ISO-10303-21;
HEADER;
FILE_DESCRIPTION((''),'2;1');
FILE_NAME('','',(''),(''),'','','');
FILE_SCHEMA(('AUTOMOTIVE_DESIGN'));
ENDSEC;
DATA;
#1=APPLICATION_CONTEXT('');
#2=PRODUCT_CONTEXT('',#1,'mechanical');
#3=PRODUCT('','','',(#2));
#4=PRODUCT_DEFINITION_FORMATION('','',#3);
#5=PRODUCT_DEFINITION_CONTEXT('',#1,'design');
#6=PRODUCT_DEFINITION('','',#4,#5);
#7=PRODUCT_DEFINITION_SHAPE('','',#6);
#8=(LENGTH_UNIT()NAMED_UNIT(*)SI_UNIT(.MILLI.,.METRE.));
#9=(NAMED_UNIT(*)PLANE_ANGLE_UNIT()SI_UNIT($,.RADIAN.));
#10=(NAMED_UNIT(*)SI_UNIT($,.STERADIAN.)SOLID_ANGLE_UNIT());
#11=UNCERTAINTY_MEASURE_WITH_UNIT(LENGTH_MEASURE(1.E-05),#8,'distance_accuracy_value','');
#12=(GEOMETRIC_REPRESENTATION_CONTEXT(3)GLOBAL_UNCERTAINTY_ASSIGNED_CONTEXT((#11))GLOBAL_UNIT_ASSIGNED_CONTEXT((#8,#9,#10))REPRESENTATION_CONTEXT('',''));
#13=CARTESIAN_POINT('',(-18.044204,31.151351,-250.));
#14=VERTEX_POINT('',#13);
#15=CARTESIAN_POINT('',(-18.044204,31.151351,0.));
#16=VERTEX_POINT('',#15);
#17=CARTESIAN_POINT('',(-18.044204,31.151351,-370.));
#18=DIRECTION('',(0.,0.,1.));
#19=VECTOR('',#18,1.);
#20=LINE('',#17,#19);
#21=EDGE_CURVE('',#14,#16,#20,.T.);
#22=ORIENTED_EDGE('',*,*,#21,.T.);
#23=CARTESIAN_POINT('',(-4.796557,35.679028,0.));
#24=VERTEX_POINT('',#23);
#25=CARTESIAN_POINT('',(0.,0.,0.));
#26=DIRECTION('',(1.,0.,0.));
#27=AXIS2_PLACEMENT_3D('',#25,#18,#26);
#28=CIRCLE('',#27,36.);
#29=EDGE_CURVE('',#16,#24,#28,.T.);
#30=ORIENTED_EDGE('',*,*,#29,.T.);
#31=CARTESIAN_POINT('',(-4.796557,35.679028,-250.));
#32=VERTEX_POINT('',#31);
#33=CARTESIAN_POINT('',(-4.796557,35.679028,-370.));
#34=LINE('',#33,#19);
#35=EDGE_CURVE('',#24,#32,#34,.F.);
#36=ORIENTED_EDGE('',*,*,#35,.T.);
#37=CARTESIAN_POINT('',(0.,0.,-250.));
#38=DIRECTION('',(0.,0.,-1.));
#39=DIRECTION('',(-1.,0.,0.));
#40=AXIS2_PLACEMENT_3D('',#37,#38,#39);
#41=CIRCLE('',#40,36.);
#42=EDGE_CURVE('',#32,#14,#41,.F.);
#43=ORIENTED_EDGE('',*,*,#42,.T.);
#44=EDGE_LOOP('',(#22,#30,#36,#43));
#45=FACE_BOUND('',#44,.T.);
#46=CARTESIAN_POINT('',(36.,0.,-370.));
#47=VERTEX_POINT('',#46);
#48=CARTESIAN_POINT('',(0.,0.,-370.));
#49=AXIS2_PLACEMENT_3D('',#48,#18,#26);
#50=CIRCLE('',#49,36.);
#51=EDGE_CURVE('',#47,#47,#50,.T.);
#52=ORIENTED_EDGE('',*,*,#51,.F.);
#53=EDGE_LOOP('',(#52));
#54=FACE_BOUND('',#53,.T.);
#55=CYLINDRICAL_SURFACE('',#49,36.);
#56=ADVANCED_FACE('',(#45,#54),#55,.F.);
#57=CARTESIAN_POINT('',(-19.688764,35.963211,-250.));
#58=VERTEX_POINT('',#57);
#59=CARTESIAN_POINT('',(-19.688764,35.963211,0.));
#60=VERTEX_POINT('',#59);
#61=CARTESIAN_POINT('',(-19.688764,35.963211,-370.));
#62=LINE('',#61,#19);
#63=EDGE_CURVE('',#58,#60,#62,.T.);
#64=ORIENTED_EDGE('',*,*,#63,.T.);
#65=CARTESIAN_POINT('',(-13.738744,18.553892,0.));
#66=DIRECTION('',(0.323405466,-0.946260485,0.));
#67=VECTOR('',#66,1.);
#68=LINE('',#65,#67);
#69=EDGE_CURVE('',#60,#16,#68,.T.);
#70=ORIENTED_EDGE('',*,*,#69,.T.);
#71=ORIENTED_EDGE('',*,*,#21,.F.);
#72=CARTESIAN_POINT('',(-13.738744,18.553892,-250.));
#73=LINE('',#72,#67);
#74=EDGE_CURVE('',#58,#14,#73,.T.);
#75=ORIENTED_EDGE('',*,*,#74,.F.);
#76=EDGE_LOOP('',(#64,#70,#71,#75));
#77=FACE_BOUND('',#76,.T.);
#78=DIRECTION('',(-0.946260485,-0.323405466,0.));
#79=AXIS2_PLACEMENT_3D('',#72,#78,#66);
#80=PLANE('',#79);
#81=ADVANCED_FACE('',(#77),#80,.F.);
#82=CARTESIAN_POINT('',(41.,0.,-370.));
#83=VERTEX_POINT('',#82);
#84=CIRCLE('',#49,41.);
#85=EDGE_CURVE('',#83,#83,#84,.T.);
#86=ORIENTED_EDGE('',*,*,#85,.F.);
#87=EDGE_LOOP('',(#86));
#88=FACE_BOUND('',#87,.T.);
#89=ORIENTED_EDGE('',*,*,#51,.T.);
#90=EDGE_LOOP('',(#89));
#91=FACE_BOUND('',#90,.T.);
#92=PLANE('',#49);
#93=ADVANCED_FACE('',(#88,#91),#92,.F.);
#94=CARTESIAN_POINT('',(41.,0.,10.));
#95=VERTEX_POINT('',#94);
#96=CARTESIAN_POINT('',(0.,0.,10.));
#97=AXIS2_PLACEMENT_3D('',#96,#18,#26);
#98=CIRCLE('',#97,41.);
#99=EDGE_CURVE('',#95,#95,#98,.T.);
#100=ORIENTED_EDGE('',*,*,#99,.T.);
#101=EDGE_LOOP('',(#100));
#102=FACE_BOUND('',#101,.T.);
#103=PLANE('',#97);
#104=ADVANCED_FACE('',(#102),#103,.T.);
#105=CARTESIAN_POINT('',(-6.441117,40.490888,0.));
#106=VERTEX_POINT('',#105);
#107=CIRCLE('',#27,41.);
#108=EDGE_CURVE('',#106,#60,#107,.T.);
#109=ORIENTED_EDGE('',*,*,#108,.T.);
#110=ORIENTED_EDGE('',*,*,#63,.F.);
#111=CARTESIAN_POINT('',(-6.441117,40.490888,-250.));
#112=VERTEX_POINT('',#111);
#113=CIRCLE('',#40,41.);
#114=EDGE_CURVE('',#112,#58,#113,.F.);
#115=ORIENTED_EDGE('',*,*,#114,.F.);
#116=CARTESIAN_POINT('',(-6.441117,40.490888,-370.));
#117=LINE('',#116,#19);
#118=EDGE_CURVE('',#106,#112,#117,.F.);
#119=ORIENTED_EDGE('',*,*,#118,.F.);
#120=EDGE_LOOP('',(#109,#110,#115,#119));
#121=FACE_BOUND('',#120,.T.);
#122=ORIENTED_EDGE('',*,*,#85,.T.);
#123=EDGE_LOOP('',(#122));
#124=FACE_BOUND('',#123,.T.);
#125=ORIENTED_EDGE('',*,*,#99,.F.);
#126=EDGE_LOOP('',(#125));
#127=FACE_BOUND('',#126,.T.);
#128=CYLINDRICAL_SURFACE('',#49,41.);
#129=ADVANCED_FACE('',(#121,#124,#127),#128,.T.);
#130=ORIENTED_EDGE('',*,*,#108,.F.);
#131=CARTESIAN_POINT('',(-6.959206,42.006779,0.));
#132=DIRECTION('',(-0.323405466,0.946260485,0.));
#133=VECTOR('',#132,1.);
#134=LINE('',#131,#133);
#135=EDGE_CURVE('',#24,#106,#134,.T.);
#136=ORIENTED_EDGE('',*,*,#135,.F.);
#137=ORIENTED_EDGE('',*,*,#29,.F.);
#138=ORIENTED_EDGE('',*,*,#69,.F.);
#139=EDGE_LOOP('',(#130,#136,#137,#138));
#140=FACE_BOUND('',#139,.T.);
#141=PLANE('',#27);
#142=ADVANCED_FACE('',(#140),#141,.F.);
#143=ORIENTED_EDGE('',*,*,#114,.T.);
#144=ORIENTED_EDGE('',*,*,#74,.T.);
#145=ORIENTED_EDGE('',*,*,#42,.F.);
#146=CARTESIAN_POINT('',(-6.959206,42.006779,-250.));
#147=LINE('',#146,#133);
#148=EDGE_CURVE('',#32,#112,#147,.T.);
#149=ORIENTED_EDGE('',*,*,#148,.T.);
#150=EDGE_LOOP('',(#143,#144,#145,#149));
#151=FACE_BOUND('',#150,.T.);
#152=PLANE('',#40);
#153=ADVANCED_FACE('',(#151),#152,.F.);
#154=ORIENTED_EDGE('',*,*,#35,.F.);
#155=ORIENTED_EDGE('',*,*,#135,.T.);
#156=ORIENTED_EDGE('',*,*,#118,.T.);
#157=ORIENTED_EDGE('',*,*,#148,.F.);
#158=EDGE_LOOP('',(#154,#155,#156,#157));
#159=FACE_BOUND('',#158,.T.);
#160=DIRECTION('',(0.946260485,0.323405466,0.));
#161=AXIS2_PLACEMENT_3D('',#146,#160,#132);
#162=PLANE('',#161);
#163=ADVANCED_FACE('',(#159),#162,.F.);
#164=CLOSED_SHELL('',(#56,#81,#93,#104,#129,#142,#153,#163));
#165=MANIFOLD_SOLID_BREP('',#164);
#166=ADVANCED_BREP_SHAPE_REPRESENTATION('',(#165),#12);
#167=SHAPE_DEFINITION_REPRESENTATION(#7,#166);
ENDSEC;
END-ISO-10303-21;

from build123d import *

# Parameters (mm, degrees)
ESQUISSE1_R             = 41
ESQUISSE1_R_2           = 36
BOSS_EXTRU_1_DEPTH      = 370
BOSS_EXTRU_2_DEPTH      = 110
ENL_V_MAT_EXTRU_1_DEPTH = 250
BOSS_EXTRU_3_START      = 10
ESQUISSE3_R             = 41
BOSS_EXTRU_3_DEPTH      = 10


with BuildPart() as part:
    # Esquisse1 → Boss.-Extru.1 (new body)
    with BuildSketch(Plane.XY):
        Circle(ESQUISSE1_R)
        Circle(ESQUISSE1_R_2, mode=Mode.SUBTRACT)
    extrude(amount=-BOSS_EXTRU_1_DEPTH)


with BuildPart() as body_2:
    # Esquisse2 → Boss.-Extru.2 (new body)
    with BuildSketch(Plane.XY):
        Polygon((-20.206852958, 37.47910209), (-6.959206174, 42.006778613), (-0.491096856, 23.081568921), (-13.73874364, 18.553892399), align=None)
    extrude(amount=-BOSS_EXTRU_2_DEPTH)


with BuildPart() as enl_v_mat_extru_1_tool:
    # Esquisse2<2> → Enlèv. mat.-Extru.1 (new body)
    with BuildSketch(Plane.XY):
        Polygon((-20.206852958, 37.47910209), (-6.959206174, 42.006778613), (-0.491096856, 23.081568921), (-13.73874364, 18.553892399), align=None)
    extrude(amount=-ENL_V_MAT_EXTRU_1_DEPTH)


with BuildPart() as part_1:
    add(part.part)

    # Enlèv. mat.-Extru.1: cut by enl_v_mat_extru_1_tool
    add(enl_v_mat_extru_1_tool.part, mode=Mode.SUBTRACT)

    # Esquisse3 → Boss.-Extru.3 (add)
    with BuildSketch(Plane.XY.offset(BOSS_EXTRU_3_START)):
        Circle(ESQUISSE3_R)
    extrude(amount=-BOSS_EXTRU_3_DEPTH)


with BuildPart() as body_2_1:
    add(body_2.part)

    # Enlèv. mat.-Extru.1: cut by enl_v_mat_extru_1_tool
    add(enl_v_mat_extru_1_tool.part, mode=Mode.SUBTRACT)


solid = part_1.part
